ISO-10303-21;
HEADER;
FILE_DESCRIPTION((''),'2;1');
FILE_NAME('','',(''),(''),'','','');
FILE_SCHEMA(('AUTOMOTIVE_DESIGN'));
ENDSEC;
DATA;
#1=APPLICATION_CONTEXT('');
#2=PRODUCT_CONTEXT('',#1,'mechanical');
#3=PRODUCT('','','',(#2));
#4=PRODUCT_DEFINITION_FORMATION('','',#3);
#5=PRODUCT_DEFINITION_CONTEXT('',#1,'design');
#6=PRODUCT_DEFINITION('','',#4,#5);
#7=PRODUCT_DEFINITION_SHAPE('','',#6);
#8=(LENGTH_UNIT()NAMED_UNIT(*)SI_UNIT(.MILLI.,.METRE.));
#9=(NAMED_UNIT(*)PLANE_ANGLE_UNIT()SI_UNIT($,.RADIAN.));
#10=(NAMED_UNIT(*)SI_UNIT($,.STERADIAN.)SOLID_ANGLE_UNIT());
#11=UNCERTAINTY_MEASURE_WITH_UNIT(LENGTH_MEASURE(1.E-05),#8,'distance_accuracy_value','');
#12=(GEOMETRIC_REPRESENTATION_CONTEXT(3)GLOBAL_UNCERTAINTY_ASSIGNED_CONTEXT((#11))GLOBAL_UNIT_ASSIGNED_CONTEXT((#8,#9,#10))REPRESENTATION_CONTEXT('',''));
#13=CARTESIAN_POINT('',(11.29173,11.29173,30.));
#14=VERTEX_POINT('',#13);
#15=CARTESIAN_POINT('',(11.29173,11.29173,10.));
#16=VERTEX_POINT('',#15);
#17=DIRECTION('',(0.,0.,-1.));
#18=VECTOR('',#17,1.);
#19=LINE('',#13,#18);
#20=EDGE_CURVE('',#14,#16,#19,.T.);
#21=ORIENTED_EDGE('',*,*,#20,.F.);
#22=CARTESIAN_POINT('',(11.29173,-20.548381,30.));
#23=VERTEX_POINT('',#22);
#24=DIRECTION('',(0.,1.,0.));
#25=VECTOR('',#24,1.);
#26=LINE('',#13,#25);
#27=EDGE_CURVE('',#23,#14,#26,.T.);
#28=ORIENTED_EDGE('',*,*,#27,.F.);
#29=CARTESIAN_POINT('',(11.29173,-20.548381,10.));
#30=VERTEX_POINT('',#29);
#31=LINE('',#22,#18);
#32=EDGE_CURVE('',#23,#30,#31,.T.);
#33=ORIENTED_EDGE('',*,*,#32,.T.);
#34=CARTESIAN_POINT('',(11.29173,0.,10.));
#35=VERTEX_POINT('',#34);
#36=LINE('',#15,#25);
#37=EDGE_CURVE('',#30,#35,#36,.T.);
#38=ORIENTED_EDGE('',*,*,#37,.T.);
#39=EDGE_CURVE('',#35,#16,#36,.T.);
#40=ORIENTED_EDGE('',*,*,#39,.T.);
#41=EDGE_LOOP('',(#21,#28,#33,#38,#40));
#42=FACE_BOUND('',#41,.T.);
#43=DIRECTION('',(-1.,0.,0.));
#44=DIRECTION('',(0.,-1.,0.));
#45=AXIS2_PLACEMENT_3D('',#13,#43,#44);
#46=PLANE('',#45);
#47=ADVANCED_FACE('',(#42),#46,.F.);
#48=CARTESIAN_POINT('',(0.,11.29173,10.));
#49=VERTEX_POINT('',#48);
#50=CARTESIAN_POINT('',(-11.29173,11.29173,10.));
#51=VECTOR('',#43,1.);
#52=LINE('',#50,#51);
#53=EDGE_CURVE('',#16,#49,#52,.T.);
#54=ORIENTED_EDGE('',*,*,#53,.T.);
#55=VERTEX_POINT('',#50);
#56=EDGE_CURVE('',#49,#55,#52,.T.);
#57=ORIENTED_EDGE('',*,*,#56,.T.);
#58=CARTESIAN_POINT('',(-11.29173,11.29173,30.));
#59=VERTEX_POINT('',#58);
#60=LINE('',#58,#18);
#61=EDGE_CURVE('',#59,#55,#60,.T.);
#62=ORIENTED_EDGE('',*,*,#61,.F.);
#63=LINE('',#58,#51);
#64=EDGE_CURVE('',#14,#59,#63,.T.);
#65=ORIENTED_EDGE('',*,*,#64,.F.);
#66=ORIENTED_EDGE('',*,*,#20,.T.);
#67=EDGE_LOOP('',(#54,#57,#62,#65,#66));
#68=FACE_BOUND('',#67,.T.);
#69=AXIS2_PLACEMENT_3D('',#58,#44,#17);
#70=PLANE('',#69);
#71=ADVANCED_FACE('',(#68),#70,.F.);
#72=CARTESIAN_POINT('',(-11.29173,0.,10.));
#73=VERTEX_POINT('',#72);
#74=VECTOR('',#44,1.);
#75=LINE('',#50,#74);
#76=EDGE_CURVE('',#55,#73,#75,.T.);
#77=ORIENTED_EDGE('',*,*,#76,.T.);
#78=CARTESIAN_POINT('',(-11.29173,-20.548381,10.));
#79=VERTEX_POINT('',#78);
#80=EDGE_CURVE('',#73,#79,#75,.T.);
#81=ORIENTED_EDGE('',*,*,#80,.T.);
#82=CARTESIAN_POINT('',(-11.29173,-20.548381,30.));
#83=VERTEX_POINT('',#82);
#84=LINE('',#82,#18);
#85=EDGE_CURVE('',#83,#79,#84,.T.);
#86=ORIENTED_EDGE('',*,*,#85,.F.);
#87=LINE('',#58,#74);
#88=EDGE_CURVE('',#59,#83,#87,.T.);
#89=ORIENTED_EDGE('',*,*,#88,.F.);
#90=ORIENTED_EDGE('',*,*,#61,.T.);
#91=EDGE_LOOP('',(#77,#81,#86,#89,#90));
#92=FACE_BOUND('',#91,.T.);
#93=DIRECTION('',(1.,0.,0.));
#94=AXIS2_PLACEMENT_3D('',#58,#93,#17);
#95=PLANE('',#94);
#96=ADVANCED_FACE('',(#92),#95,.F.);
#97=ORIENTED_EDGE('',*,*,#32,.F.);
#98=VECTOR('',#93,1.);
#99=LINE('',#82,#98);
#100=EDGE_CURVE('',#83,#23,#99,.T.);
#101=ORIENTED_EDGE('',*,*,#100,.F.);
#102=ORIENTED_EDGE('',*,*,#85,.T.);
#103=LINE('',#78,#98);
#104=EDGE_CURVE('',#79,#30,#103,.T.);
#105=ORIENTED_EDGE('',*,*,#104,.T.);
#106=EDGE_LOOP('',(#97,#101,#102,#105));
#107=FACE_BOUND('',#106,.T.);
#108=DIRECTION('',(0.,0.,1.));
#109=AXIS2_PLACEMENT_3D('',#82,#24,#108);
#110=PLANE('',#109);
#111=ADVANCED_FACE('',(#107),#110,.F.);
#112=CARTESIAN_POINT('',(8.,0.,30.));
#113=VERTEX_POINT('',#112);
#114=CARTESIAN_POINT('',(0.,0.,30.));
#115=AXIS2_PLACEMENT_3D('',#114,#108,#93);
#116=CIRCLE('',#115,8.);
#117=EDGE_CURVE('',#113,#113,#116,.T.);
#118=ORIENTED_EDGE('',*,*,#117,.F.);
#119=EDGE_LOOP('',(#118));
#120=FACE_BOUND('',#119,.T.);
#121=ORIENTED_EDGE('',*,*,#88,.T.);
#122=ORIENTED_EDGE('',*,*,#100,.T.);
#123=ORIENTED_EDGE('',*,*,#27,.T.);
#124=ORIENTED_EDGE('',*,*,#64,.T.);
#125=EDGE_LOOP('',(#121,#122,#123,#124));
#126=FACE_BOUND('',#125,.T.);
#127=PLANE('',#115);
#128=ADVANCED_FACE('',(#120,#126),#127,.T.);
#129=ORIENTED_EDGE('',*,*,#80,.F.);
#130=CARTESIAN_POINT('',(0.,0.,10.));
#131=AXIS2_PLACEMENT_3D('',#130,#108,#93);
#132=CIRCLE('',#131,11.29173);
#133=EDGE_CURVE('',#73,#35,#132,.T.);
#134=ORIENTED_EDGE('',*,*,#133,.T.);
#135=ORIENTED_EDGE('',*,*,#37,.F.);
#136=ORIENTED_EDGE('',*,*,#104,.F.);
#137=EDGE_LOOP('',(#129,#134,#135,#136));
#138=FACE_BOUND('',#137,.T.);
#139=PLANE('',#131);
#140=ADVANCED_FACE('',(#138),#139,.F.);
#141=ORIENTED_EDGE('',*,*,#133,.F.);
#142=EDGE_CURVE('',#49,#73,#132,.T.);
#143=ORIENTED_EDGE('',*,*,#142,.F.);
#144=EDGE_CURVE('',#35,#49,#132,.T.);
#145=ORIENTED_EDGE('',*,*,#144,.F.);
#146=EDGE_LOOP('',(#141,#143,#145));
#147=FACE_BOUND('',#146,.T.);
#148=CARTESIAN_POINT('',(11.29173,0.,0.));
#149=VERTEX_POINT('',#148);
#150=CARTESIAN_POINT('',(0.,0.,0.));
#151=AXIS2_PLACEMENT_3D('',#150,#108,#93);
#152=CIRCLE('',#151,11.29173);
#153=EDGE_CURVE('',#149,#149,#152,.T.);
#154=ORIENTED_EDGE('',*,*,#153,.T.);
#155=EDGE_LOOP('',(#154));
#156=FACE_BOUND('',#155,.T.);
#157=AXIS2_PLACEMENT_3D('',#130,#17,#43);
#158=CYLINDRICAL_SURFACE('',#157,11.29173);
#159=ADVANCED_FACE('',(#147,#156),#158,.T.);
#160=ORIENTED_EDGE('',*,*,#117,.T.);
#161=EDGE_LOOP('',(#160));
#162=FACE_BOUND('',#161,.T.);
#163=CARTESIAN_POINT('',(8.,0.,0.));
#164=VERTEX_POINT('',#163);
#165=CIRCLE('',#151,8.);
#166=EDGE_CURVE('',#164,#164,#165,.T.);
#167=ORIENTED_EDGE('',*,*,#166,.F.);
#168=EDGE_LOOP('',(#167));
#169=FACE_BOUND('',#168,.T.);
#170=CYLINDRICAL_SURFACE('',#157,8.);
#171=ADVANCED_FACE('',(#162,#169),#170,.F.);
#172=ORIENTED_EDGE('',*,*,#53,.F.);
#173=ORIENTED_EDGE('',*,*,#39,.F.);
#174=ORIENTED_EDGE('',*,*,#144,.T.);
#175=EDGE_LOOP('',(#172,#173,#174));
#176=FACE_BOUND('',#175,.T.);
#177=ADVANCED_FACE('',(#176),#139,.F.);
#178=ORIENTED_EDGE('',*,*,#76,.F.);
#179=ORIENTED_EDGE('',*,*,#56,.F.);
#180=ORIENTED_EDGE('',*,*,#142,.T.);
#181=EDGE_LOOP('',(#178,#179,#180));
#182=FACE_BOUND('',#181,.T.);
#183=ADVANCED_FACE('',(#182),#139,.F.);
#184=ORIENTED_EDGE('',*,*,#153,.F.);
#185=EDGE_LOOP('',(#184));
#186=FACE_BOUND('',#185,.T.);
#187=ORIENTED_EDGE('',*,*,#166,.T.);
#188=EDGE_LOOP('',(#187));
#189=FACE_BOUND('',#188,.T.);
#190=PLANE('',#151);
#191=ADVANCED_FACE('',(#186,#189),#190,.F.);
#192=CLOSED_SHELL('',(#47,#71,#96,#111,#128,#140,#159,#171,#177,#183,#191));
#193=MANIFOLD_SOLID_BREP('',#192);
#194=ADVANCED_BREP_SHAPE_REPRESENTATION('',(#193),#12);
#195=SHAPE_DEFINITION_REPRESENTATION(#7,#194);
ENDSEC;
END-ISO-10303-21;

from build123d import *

# Parameters (mm, degrees)
SKETCH1_R           = 11.291730028
SKETCH1_R_2         = 8
BOSS_EXTRUDE1_DEPTH = 10
SKETCH2_W           = 22.583460056
SKETCH2_H           = 31.840111269
BOSS_EXTRUDE2_DEPTH = 20
CUT_EXTRUDE1_REACH  = 40.075
SKETCH3_R           = 8


with BuildPart() as part:
    # Sketch1 → Boss-Extrude1 (new body)
    with BuildSketch(Plane.XY):
        Circle(SKETCH1_R)
        Circle(SKETCH1_R_2, mode=Mode.SUBTRACT)
    extrude(amount=BOSS_EXTRUDE1_DEPTH)

    # Sketch2 → Boss-Extrude2 (add)
    with BuildSketch(Plane.XY.offset(10)):
        with Locations((0, -4.628325607)):
            Rectangle(SKETCH2_W, SKETCH2_H)
    extrude(amount=BOSS_EXTRUDE2_DEPTH)

    # Sketch3 → Cut-Extrude1 (cut, up to next)
    with BuildSketch(Plane.XY.offset(30), mode=Mode.PRIVATE) as cut_extrude1_sk1:
        Circle(SKETCH3_R)
    cut_extrude1_tool1 = extrude(cut_extrude1_sk1.sketch, amount=-CUT_EXTRUDE1_REACH, mode=Mode.PRIVATE) & part.part
    add(cut_extrude1_tool1.solids().sort_by_distance((0, 0, 30))[0], mode=Mode.SUBTRACT)


solid = part.part
